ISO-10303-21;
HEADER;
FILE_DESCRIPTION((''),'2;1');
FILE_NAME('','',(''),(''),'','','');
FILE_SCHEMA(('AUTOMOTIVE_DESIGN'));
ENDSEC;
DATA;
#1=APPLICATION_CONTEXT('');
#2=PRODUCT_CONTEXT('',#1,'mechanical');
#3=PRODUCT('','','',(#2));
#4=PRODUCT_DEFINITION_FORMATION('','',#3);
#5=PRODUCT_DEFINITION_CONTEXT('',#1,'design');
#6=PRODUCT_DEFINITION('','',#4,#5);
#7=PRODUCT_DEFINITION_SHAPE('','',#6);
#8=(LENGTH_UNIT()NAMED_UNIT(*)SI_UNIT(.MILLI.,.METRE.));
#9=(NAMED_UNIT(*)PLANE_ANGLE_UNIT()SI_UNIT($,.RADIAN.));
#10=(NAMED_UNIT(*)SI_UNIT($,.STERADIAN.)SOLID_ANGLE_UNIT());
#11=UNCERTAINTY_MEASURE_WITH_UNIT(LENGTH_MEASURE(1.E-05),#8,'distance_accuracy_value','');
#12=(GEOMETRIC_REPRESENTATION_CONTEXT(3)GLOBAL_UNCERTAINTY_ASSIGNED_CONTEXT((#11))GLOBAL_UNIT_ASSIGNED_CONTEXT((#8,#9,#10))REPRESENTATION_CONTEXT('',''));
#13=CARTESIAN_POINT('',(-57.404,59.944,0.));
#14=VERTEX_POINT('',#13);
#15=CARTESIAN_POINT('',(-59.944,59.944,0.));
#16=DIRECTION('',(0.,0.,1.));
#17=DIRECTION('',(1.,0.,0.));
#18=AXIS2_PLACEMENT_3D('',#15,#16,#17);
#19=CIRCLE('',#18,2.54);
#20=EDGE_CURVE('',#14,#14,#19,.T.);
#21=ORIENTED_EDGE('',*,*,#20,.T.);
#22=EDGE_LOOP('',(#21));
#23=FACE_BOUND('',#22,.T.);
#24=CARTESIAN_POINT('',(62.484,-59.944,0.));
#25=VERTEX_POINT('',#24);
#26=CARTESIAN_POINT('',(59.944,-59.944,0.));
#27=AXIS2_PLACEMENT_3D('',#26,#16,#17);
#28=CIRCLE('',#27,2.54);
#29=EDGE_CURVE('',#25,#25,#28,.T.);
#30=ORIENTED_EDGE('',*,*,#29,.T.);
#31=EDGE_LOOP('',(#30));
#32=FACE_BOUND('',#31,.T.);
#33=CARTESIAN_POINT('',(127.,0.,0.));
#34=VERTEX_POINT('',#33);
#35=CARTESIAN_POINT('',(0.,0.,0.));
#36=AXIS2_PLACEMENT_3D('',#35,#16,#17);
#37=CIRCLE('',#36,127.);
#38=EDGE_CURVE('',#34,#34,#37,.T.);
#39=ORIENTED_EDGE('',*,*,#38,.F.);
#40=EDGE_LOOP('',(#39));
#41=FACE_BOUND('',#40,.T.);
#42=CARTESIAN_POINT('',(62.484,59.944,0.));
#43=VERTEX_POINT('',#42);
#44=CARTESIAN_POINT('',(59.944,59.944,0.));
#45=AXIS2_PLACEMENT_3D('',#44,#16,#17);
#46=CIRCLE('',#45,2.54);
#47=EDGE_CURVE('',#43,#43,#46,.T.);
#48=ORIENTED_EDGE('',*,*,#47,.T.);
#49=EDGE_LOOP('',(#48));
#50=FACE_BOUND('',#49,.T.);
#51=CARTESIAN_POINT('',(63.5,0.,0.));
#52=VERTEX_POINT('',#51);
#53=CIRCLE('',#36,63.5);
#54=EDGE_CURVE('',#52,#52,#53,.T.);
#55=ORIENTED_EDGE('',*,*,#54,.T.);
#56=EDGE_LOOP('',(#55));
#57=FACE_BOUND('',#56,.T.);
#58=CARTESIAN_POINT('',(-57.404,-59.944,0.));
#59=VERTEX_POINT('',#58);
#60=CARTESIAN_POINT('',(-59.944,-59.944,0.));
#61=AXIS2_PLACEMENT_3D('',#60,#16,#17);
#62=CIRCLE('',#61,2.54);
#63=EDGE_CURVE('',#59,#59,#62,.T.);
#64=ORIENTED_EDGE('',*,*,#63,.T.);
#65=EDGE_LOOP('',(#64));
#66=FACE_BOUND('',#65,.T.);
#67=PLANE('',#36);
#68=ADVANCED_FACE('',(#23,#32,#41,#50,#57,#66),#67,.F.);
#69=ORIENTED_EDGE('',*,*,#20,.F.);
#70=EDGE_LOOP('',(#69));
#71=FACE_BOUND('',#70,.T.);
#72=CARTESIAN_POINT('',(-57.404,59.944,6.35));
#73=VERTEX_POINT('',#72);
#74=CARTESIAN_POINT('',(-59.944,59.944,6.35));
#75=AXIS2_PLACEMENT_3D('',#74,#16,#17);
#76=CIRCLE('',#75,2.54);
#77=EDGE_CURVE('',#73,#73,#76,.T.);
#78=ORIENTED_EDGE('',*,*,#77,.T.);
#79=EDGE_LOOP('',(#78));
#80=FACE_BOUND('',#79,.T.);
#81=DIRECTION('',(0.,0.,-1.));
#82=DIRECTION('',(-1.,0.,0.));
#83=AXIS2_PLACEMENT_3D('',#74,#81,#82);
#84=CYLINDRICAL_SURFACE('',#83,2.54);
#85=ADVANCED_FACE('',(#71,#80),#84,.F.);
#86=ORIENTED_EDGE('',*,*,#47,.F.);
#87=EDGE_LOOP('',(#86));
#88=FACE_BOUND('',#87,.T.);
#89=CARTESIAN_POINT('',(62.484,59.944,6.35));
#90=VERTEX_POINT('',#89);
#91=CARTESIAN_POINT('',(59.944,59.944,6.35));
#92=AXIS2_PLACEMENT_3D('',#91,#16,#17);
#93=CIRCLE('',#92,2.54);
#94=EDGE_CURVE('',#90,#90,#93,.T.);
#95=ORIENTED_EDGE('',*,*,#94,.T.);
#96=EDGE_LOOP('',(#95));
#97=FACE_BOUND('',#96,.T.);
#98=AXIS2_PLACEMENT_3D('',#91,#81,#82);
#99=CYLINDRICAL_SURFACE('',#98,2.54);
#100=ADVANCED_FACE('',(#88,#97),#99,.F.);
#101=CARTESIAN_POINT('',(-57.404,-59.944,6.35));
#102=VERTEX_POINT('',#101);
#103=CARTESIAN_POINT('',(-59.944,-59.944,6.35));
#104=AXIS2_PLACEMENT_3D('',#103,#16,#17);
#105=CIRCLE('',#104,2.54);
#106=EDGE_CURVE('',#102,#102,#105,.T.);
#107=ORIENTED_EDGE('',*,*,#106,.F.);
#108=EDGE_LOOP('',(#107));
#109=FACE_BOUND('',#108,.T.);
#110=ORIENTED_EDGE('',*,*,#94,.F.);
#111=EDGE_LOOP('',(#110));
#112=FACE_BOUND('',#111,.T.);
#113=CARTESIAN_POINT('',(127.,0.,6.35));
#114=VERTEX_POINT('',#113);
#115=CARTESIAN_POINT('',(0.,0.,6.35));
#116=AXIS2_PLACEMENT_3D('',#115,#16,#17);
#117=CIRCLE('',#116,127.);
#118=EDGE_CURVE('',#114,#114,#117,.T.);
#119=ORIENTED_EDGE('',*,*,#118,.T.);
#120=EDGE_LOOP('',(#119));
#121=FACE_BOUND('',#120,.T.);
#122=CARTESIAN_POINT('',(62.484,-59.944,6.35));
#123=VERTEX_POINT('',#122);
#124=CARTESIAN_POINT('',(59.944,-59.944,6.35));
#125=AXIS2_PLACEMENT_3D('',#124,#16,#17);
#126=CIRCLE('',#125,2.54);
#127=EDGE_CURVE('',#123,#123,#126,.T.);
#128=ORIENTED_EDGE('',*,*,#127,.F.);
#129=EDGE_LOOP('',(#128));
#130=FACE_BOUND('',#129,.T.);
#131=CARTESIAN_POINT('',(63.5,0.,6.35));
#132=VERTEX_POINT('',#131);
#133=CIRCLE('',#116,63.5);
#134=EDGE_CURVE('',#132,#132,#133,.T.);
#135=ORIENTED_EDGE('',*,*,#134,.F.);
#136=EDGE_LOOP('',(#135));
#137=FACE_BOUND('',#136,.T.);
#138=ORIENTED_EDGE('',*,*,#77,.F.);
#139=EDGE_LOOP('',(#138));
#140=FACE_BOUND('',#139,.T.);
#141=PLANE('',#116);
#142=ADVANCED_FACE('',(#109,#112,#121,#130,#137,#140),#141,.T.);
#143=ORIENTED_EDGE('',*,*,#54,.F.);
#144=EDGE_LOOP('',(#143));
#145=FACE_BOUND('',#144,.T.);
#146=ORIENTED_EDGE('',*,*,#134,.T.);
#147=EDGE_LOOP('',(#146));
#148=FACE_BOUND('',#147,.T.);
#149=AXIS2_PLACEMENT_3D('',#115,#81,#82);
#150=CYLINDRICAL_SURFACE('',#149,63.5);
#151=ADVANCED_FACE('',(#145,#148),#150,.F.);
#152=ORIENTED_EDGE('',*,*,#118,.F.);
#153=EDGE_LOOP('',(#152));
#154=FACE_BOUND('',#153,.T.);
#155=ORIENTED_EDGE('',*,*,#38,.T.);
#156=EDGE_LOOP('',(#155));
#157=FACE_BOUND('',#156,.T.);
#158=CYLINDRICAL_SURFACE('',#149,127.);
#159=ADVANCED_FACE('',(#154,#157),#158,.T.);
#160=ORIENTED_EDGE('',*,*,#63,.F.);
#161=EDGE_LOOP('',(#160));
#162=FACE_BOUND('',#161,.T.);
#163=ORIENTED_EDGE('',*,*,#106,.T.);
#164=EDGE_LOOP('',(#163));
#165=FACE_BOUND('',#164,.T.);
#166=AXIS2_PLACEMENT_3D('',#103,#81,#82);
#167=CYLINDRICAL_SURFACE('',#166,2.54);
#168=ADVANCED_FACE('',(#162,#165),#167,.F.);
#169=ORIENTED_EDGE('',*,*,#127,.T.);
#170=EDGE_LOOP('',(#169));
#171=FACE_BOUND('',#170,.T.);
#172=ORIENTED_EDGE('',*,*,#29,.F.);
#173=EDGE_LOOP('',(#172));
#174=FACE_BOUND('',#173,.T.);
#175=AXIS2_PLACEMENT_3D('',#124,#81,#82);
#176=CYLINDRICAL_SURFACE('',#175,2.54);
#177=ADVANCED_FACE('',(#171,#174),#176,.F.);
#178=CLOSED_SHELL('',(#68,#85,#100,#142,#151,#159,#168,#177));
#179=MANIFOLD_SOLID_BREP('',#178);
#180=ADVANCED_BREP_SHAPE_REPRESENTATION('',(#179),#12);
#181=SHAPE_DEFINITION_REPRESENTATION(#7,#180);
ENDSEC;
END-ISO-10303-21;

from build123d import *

# Parameters (mm, degrees)
SKETCH1_R           = 127
SKETCH1_R_2         = 63.5
SKETCH1_R_3         = 2.54
BOSS_EXTRUDE1_DEPTH = 6.35


with BuildPart() as part:
    # Sketch1 → Boss-Extrude1 (new body)
    with BuildSketch(Plane.XY):
        Circle(SKETCH1_R)
        Circle(SKETCH1_R_2, mode=Mode.SUBTRACT)
        with Locations((-59.944, 59.944)):
            Circle(SKETCH1_R_3, mode=Mode.SUBTRACT)
        with Locations((59.944, 59.944)):
            Circle(SKETCH1_R_3, mode=Mode.SUBTRACT)
        with Locations((-59.944, -59.944)):
            Circle(SKETCH1_R_3, mode=Mode.SUBTRACT)
        with Locations((59.944, -59.944)):
            Circle(SKETCH1_R_3, mode=Mode.SUBTRACT)
    extrude(amount=BOSS_EXTRUDE1_DEPTH)


solid = part.part
